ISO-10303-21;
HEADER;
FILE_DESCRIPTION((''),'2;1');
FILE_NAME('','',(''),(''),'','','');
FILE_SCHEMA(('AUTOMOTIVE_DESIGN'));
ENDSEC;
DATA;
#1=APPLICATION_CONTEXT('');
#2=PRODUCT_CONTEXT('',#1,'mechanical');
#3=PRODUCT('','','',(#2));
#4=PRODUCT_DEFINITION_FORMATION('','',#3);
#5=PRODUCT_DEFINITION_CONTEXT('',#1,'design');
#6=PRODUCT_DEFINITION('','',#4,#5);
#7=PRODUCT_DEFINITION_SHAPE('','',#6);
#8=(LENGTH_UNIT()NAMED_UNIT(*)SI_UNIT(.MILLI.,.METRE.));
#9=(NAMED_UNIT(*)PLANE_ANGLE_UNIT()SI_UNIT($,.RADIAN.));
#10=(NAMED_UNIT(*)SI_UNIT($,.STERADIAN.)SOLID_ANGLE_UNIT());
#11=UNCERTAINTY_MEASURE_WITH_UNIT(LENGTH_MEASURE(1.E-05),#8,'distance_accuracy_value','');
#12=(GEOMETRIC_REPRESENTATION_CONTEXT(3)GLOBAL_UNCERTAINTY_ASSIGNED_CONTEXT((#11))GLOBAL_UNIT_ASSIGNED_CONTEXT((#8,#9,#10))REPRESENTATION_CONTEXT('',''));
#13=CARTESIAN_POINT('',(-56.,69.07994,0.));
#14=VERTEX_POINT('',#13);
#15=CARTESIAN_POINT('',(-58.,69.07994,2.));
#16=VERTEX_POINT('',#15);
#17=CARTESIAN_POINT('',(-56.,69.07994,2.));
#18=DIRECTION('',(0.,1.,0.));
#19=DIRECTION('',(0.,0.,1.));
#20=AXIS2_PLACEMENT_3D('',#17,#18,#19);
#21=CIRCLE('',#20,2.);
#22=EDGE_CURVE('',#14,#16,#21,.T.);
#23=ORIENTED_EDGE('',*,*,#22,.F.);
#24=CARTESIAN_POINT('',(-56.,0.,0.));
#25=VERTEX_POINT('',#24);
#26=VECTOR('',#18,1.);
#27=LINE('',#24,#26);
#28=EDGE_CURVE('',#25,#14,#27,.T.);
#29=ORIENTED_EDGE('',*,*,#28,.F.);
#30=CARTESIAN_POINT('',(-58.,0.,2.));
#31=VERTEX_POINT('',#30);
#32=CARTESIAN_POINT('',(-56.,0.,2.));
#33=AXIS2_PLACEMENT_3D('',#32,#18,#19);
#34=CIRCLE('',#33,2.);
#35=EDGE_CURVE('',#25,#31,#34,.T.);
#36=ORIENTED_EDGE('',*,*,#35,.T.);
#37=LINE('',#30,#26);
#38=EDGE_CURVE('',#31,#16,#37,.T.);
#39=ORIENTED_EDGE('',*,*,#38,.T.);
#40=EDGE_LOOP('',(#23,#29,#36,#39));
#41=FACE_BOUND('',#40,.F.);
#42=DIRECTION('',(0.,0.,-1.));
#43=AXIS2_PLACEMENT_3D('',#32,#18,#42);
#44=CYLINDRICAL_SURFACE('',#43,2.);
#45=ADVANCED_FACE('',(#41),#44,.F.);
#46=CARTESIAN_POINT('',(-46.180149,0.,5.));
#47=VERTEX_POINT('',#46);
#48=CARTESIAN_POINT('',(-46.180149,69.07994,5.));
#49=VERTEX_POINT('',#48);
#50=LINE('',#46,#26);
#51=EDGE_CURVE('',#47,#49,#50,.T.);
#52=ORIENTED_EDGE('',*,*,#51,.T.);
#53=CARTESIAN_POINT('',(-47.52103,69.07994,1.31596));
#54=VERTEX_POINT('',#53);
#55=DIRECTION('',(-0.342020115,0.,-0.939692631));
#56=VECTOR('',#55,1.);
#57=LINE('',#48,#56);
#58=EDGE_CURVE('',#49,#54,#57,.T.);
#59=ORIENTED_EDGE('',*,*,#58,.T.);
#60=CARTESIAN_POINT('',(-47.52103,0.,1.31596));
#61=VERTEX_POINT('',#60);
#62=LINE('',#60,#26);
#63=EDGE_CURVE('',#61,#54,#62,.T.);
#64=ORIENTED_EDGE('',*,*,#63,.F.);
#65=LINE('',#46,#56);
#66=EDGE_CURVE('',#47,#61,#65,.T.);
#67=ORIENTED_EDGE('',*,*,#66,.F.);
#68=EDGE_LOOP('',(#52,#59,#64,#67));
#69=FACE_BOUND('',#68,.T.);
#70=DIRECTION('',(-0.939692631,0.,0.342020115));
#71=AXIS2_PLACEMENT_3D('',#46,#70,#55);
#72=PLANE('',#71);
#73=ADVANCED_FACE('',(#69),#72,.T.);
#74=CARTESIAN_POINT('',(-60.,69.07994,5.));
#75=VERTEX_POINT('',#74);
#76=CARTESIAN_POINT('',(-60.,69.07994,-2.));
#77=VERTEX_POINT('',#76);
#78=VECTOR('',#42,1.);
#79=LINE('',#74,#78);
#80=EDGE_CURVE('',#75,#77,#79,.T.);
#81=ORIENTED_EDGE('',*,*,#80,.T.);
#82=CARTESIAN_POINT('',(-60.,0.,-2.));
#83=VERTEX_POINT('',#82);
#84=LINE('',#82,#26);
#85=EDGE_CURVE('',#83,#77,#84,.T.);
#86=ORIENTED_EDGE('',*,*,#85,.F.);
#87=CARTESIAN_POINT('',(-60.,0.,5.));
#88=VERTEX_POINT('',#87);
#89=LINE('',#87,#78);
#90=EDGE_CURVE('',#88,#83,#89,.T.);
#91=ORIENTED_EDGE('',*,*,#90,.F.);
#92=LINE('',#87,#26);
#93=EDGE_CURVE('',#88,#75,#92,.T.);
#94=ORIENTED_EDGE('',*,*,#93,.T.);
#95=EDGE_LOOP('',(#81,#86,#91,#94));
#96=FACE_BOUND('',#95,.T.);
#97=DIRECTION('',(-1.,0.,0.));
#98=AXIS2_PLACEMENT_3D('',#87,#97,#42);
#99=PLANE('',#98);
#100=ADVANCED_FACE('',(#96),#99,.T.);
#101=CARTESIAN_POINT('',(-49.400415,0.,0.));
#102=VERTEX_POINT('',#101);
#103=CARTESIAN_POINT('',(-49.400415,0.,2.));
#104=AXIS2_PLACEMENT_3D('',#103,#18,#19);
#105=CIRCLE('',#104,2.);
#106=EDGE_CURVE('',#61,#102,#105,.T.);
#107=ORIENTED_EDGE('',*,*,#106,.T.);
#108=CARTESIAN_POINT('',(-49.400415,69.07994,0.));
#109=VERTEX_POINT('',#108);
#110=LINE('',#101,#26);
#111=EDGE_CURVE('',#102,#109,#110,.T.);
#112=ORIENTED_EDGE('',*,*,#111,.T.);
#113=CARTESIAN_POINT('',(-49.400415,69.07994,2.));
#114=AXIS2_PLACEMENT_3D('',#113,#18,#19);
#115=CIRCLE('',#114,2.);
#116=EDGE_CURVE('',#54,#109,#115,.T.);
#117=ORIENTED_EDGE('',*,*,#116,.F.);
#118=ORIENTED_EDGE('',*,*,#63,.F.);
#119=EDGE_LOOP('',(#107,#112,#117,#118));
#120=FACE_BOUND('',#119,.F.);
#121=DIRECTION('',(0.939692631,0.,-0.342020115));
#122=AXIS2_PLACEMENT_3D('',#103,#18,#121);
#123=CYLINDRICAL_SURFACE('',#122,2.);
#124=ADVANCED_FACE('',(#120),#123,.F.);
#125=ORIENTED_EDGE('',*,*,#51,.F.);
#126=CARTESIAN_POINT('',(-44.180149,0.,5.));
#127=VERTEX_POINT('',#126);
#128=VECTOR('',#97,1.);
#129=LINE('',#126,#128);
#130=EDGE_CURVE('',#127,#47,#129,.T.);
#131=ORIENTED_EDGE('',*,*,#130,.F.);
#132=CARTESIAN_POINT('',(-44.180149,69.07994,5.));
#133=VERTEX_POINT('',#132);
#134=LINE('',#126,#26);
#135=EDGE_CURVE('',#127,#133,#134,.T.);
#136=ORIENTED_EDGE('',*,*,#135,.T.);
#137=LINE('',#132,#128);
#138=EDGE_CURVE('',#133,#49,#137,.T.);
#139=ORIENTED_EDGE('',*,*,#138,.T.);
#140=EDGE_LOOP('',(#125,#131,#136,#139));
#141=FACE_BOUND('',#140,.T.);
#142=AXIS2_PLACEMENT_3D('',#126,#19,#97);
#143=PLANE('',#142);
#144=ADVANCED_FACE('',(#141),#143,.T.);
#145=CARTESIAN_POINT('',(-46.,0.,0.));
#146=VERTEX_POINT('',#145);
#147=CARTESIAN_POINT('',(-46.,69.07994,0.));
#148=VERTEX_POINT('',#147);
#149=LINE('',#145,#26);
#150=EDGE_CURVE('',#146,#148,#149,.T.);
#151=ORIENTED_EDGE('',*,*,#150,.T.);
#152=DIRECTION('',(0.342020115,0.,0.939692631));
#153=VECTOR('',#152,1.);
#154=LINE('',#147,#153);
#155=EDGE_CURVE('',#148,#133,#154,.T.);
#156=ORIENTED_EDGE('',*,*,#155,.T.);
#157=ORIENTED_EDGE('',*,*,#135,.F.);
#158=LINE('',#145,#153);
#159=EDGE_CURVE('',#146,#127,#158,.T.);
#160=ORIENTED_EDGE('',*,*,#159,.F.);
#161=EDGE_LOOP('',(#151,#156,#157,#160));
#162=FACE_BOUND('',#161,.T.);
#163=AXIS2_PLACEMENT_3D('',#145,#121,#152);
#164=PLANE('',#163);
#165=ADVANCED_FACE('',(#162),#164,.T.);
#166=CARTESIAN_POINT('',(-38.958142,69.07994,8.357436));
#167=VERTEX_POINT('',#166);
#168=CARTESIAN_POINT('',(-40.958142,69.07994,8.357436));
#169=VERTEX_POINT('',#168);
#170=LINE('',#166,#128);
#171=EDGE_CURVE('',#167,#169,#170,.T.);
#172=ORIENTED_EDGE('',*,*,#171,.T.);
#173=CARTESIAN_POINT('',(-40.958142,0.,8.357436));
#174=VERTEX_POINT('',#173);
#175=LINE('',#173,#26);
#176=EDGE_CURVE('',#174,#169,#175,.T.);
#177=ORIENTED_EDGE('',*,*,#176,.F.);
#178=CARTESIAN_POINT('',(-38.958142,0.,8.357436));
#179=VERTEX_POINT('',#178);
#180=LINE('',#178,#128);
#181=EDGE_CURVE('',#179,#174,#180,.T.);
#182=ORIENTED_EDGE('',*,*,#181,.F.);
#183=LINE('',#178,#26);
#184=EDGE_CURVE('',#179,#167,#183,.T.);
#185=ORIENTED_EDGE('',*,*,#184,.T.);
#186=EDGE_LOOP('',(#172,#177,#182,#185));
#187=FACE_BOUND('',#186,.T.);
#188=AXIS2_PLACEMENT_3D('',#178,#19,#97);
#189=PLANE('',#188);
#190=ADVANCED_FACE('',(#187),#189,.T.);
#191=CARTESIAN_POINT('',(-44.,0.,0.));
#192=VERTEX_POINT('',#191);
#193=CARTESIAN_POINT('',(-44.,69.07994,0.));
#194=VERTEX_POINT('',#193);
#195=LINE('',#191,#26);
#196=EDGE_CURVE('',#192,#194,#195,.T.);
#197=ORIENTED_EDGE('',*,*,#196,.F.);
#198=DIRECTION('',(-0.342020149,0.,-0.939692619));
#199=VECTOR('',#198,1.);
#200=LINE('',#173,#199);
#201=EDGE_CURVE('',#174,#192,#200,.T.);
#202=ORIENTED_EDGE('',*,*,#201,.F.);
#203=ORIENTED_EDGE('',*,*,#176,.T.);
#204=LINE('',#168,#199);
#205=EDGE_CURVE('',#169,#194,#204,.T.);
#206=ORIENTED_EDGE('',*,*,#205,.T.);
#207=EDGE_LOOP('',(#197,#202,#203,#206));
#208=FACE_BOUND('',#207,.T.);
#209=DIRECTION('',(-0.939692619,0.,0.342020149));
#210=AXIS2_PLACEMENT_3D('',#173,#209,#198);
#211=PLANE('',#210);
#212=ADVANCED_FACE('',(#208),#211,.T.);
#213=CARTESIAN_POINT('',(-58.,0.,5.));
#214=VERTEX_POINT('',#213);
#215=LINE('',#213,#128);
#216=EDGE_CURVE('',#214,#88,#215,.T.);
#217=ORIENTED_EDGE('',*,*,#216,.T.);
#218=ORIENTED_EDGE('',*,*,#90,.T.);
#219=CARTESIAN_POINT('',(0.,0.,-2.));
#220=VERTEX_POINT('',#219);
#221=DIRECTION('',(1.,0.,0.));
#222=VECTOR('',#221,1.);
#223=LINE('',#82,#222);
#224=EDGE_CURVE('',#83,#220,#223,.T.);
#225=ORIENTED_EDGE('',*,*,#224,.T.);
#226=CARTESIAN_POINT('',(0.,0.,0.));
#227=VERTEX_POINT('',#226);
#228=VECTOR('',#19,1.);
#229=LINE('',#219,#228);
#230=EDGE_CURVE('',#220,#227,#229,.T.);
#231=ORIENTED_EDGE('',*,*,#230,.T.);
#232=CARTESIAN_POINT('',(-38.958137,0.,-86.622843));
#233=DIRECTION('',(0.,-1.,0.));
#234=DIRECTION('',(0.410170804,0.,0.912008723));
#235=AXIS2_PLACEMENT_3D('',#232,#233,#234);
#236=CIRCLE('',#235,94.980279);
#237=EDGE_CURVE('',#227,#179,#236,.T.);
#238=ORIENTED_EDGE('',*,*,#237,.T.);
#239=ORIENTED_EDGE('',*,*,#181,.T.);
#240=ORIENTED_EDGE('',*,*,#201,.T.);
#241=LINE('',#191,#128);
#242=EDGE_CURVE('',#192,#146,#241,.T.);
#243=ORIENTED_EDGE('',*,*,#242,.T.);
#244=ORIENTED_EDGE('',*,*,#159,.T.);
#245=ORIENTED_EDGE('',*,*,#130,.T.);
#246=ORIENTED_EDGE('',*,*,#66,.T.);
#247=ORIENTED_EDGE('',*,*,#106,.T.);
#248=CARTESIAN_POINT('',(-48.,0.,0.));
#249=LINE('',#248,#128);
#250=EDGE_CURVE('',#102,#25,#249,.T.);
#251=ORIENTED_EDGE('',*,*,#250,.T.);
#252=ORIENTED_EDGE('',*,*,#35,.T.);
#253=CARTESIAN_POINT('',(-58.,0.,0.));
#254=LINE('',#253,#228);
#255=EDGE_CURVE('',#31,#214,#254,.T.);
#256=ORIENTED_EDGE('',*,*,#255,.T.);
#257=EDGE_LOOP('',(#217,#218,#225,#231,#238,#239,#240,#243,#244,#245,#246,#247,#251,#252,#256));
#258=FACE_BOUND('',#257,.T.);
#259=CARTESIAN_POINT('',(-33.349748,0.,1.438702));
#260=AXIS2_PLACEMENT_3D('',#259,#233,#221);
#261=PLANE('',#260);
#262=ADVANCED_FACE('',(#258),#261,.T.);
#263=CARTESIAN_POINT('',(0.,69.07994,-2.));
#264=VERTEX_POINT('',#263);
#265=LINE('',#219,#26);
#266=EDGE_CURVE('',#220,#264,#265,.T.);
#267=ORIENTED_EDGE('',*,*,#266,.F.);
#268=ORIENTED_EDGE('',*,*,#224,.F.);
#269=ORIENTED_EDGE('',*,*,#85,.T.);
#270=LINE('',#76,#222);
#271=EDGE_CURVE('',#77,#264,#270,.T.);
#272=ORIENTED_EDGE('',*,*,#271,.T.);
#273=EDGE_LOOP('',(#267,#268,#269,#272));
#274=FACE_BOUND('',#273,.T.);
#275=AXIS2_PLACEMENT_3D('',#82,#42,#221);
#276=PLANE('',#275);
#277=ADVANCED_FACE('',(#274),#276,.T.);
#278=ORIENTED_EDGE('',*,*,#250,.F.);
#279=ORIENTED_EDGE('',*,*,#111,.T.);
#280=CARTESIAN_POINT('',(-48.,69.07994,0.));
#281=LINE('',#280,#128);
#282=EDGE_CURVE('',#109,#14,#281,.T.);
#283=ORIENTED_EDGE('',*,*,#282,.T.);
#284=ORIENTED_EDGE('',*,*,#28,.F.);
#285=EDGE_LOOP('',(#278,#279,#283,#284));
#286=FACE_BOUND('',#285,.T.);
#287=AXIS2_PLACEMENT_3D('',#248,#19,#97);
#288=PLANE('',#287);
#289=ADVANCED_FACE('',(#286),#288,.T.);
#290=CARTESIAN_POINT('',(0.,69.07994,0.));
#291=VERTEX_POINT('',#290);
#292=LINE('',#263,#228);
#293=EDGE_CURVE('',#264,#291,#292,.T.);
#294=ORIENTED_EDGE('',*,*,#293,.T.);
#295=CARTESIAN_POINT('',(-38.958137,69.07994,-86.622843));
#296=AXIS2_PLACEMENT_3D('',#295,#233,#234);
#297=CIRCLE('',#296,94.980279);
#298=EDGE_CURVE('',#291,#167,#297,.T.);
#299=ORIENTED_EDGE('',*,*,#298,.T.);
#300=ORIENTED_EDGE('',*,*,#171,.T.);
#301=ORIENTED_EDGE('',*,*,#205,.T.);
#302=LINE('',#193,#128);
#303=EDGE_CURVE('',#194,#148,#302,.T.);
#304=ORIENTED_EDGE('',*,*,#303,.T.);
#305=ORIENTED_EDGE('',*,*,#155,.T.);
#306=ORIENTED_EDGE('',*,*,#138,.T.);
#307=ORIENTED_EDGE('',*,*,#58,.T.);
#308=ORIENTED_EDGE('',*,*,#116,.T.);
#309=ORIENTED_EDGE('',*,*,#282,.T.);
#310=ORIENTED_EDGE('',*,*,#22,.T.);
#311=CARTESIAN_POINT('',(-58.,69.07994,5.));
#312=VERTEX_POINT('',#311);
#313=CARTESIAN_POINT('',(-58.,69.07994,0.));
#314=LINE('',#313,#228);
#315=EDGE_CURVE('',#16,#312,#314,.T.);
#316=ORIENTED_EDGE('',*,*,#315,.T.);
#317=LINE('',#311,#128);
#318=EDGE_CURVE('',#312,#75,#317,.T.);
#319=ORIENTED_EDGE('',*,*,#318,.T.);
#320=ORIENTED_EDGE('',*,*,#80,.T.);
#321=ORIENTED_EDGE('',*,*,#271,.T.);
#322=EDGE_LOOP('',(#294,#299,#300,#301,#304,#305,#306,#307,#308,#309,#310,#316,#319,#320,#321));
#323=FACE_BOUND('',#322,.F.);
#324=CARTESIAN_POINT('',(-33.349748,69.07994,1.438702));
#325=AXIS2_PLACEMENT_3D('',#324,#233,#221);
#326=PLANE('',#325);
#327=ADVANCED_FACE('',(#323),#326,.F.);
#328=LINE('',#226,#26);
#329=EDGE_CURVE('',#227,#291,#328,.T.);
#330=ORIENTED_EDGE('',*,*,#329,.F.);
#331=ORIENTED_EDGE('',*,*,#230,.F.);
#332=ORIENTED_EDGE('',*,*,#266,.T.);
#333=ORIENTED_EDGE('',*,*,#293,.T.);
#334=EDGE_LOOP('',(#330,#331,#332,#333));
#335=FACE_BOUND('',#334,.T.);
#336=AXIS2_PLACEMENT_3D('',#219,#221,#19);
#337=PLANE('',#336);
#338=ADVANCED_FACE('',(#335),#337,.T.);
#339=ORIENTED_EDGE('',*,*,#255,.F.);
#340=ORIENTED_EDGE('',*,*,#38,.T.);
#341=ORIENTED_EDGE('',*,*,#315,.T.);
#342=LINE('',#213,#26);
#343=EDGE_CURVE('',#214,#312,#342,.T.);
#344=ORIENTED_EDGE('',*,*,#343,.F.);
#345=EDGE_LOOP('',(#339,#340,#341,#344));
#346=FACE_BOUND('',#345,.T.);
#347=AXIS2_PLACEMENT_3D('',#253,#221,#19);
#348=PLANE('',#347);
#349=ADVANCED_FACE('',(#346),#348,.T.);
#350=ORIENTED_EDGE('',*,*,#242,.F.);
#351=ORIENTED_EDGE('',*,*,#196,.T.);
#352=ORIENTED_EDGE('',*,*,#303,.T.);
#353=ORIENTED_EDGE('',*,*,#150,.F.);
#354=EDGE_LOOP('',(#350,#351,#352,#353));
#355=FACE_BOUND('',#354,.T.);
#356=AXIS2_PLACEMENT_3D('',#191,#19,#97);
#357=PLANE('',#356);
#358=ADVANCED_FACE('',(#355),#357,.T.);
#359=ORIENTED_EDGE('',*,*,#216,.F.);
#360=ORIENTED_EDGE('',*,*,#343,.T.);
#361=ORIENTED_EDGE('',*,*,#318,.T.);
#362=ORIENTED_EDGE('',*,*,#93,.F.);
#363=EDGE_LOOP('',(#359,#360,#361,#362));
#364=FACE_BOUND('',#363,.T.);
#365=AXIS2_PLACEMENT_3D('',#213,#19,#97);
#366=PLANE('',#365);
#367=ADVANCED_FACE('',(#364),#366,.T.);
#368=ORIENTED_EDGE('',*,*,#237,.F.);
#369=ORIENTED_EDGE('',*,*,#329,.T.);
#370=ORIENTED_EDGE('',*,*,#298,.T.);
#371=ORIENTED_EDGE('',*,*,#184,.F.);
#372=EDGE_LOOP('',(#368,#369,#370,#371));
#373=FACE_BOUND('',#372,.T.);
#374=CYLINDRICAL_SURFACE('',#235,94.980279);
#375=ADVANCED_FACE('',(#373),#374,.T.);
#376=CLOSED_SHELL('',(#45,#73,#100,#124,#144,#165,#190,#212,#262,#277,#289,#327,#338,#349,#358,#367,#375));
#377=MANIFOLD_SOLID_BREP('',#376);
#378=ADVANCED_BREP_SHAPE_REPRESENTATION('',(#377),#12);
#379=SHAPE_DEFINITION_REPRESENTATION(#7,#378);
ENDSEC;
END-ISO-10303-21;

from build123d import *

# Parameters (mm, degrees)
F1_DEPTH = 69.07994
F2_R     = 2
F3_R     = 2


with BuildPart() as f1:
    # F0 (on Front) → F1 (new body)
    with BuildSketch(Plane.XZ):
        with BuildLine():
            Line((0, -2), (0, 0))
            ThreePointArc((0, 0), (-19.035896, 6.244577), (-38.958142, 8.357436))
            Line((-38.958142, 8.357436), (-40.958142, 8.357436))
            Line((-40.958142, 8.357436), (-44, 0))
            Line((-44, 0), (-46, 0))
            Line((-46, 0), (-44.180149, 5))
            Line((-44.180149, 5), (-46.180149, 5))
            Line((-46.180149, 5), (-48, 0))
            Line((-48, 0), (-58, 0))
            Line((-58, 0), (-58, 5))
            Line((-58, 5), (-60, 5))
            Line((-60, 5), (-60, -2))
            Line((-60, -2), (0, -2))
        make_face()
    extrude(amount=-F1_DEPTH)

    # F2
    f2_edges = [f1.edges().sort_by_distance(p)[0] for p in [
        (-48, 34.53997, 0),
    ]]
    fillet(f2_edges, radius=F2_R)

    # F3
    f3_edges = [f1.edges().sort_by_distance(p)[0] for p in [
        (-58, 34.53997, 0),
    ]]
    fillet(f3_edges, radius=F3_R)


solid = f1.part
